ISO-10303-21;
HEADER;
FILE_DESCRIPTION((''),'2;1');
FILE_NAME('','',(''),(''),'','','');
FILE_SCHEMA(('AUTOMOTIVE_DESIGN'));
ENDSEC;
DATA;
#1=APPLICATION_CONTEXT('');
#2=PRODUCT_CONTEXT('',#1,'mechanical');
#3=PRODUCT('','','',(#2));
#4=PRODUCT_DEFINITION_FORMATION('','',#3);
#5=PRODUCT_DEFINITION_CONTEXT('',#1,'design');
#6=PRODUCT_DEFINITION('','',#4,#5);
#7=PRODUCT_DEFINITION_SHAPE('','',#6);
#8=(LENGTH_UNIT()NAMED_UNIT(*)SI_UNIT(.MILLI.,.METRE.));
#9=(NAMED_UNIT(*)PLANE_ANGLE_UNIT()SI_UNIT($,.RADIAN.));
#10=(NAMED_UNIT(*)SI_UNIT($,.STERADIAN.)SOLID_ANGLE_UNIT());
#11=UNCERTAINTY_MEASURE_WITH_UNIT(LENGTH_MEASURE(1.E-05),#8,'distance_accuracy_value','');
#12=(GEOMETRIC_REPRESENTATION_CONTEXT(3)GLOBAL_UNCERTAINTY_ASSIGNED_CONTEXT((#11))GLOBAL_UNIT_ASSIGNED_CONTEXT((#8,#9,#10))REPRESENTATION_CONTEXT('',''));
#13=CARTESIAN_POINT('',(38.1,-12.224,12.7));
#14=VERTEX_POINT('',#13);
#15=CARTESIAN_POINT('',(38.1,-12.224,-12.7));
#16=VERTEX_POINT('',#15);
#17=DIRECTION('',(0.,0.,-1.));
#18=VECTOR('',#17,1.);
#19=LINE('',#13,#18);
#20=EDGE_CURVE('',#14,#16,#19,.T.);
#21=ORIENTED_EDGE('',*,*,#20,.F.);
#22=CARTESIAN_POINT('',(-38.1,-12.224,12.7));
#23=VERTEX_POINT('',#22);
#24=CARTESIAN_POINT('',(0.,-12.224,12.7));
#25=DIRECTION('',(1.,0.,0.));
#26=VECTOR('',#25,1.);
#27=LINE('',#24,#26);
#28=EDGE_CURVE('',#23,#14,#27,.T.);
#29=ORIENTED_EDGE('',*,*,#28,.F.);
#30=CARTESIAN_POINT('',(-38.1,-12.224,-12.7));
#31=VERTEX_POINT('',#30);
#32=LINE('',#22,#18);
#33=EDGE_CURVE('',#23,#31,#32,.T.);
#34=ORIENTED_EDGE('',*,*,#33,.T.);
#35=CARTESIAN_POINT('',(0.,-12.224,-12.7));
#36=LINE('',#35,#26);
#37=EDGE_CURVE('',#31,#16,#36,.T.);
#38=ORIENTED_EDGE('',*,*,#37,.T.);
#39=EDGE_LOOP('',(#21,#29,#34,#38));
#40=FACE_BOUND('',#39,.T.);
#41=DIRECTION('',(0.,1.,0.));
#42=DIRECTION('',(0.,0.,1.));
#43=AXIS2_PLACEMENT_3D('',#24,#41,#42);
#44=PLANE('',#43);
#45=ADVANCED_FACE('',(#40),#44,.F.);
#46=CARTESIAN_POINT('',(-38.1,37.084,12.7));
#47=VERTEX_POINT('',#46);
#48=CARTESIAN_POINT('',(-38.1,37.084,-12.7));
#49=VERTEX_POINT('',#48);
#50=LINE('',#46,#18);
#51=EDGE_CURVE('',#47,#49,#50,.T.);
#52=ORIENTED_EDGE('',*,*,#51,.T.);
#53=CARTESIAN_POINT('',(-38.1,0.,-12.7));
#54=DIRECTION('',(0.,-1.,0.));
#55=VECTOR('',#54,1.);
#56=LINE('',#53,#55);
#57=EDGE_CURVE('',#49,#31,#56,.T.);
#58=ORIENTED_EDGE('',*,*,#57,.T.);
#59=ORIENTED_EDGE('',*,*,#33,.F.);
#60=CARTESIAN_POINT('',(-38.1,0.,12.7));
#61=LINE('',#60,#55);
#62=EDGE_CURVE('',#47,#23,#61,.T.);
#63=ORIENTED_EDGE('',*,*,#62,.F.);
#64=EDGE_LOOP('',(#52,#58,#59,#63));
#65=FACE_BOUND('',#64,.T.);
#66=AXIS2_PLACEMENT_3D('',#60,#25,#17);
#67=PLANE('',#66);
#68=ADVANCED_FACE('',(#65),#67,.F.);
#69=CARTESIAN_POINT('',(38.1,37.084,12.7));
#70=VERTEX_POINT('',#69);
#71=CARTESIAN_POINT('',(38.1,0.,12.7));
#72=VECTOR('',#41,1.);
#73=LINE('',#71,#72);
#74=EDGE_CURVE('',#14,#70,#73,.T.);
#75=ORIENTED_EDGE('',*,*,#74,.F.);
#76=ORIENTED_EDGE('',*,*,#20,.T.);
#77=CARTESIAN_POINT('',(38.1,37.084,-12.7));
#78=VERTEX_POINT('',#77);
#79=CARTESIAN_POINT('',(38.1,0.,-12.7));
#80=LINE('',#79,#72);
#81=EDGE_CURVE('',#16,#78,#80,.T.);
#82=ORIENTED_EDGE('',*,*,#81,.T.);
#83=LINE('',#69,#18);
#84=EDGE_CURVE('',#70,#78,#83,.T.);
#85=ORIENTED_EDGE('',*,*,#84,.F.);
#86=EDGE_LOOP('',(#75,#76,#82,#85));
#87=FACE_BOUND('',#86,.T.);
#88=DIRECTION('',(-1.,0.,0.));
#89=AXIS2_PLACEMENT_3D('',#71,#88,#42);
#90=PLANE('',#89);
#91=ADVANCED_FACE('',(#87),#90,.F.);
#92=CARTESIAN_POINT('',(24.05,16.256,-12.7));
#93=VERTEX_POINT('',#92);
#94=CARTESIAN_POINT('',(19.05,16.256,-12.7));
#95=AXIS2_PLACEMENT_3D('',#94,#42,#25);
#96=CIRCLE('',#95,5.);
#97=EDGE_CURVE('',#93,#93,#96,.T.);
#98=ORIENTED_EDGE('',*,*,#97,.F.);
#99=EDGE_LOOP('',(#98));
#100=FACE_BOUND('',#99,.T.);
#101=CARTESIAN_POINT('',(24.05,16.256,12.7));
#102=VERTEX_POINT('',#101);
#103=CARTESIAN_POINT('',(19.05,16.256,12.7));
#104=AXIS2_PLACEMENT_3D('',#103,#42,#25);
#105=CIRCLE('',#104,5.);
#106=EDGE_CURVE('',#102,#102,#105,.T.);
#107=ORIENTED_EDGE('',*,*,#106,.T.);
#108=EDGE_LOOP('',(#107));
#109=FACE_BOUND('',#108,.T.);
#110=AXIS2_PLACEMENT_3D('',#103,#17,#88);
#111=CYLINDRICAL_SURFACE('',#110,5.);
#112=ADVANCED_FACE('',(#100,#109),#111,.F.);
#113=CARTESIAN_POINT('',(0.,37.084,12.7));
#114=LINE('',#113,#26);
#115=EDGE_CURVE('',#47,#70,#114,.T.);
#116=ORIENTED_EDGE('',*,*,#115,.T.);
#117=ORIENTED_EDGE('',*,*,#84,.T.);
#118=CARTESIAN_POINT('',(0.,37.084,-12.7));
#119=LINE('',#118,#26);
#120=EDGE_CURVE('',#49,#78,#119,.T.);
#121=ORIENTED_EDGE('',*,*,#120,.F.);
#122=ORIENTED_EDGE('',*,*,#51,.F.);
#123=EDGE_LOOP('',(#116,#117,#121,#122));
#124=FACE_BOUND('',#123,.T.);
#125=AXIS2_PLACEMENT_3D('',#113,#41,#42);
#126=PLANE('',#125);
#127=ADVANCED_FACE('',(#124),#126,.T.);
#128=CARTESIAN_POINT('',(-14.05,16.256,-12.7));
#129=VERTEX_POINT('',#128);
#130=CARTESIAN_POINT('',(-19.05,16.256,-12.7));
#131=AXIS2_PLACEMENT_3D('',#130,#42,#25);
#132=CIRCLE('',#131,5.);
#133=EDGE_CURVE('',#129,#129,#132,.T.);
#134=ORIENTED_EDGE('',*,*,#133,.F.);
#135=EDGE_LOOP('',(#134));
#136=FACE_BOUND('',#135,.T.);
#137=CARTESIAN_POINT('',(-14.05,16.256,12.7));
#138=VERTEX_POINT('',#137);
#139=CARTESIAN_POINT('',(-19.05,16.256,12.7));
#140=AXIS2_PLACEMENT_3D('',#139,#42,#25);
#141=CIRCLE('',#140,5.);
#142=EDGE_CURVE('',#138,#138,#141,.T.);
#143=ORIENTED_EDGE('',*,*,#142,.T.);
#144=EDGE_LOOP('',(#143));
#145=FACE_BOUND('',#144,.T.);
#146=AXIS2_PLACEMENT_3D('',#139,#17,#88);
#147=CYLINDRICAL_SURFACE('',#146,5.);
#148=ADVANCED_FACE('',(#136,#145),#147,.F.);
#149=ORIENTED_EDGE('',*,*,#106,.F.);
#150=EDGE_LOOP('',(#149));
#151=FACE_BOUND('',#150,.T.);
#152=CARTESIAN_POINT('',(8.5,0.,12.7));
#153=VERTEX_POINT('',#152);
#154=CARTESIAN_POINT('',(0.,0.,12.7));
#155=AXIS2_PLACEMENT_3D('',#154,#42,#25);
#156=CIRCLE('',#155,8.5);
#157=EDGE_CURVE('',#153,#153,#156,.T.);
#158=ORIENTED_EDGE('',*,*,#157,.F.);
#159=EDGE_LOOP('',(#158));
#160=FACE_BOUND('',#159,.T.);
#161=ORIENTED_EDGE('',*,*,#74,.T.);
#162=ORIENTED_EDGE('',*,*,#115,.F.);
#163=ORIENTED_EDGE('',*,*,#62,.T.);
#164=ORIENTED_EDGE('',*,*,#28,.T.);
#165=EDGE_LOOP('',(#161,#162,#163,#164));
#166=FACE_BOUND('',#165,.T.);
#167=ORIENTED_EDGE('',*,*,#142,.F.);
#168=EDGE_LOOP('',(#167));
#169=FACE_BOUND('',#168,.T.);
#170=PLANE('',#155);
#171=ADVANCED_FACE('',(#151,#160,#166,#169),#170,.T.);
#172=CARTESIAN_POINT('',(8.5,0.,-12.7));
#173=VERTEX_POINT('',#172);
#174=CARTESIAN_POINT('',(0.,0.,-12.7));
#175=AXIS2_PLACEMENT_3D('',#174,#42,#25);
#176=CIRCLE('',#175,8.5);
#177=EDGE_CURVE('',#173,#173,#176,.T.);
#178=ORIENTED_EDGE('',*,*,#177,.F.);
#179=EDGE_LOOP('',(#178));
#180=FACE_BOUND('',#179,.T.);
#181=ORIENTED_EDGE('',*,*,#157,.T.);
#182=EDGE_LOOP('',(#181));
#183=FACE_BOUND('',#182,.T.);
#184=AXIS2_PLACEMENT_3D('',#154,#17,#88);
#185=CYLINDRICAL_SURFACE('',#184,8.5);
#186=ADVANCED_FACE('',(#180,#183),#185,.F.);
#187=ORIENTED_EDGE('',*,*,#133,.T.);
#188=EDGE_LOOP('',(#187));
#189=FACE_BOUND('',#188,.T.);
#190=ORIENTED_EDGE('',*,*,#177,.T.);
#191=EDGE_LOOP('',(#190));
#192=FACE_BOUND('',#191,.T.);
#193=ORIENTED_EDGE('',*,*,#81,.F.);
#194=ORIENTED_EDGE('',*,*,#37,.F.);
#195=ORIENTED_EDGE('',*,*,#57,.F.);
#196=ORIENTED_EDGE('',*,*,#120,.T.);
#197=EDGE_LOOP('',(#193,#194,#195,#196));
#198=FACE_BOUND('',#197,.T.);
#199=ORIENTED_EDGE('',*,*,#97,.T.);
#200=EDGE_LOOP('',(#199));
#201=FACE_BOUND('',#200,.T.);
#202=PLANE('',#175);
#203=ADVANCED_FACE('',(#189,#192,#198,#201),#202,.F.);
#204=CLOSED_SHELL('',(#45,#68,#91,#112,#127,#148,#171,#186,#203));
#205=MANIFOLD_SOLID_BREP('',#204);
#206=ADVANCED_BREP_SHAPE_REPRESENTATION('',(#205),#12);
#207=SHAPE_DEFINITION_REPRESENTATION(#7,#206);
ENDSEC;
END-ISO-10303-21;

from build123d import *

# Parameters (mm, degrees)
SKETCH1_R           = 5
SKETCH1_R_2         = 8.5
BOSS_EXTRUDE2_DEPTH = 12.7


with BuildPart() as part:
    # Sketch1 → Boss-Extrude2 (new, symmetric)
    with BuildSketch(Plane.XY):
        Polygon((-38.1, 37.084), (38.1, 37.084), (38.1, 12.224), (38.1, -12.224), (-38.1, -12.224), (-38.1, 12.224), align=None)
        with Locations((-19.05, 16.256)):
            Circle(SKETCH1_R, mode=Mode.SUBTRACT)
        with Locations((19.05, 16.256)):
            Circle(SKETCH1_R, mode=Mode.SUBTRACT)
        Circle(SKETCH1_R_2, mode=Mode.SUBTRACT)
    extrude(amount=BOSS_EXTRUDE2_DEPTH, both=True)


solid = part.part
